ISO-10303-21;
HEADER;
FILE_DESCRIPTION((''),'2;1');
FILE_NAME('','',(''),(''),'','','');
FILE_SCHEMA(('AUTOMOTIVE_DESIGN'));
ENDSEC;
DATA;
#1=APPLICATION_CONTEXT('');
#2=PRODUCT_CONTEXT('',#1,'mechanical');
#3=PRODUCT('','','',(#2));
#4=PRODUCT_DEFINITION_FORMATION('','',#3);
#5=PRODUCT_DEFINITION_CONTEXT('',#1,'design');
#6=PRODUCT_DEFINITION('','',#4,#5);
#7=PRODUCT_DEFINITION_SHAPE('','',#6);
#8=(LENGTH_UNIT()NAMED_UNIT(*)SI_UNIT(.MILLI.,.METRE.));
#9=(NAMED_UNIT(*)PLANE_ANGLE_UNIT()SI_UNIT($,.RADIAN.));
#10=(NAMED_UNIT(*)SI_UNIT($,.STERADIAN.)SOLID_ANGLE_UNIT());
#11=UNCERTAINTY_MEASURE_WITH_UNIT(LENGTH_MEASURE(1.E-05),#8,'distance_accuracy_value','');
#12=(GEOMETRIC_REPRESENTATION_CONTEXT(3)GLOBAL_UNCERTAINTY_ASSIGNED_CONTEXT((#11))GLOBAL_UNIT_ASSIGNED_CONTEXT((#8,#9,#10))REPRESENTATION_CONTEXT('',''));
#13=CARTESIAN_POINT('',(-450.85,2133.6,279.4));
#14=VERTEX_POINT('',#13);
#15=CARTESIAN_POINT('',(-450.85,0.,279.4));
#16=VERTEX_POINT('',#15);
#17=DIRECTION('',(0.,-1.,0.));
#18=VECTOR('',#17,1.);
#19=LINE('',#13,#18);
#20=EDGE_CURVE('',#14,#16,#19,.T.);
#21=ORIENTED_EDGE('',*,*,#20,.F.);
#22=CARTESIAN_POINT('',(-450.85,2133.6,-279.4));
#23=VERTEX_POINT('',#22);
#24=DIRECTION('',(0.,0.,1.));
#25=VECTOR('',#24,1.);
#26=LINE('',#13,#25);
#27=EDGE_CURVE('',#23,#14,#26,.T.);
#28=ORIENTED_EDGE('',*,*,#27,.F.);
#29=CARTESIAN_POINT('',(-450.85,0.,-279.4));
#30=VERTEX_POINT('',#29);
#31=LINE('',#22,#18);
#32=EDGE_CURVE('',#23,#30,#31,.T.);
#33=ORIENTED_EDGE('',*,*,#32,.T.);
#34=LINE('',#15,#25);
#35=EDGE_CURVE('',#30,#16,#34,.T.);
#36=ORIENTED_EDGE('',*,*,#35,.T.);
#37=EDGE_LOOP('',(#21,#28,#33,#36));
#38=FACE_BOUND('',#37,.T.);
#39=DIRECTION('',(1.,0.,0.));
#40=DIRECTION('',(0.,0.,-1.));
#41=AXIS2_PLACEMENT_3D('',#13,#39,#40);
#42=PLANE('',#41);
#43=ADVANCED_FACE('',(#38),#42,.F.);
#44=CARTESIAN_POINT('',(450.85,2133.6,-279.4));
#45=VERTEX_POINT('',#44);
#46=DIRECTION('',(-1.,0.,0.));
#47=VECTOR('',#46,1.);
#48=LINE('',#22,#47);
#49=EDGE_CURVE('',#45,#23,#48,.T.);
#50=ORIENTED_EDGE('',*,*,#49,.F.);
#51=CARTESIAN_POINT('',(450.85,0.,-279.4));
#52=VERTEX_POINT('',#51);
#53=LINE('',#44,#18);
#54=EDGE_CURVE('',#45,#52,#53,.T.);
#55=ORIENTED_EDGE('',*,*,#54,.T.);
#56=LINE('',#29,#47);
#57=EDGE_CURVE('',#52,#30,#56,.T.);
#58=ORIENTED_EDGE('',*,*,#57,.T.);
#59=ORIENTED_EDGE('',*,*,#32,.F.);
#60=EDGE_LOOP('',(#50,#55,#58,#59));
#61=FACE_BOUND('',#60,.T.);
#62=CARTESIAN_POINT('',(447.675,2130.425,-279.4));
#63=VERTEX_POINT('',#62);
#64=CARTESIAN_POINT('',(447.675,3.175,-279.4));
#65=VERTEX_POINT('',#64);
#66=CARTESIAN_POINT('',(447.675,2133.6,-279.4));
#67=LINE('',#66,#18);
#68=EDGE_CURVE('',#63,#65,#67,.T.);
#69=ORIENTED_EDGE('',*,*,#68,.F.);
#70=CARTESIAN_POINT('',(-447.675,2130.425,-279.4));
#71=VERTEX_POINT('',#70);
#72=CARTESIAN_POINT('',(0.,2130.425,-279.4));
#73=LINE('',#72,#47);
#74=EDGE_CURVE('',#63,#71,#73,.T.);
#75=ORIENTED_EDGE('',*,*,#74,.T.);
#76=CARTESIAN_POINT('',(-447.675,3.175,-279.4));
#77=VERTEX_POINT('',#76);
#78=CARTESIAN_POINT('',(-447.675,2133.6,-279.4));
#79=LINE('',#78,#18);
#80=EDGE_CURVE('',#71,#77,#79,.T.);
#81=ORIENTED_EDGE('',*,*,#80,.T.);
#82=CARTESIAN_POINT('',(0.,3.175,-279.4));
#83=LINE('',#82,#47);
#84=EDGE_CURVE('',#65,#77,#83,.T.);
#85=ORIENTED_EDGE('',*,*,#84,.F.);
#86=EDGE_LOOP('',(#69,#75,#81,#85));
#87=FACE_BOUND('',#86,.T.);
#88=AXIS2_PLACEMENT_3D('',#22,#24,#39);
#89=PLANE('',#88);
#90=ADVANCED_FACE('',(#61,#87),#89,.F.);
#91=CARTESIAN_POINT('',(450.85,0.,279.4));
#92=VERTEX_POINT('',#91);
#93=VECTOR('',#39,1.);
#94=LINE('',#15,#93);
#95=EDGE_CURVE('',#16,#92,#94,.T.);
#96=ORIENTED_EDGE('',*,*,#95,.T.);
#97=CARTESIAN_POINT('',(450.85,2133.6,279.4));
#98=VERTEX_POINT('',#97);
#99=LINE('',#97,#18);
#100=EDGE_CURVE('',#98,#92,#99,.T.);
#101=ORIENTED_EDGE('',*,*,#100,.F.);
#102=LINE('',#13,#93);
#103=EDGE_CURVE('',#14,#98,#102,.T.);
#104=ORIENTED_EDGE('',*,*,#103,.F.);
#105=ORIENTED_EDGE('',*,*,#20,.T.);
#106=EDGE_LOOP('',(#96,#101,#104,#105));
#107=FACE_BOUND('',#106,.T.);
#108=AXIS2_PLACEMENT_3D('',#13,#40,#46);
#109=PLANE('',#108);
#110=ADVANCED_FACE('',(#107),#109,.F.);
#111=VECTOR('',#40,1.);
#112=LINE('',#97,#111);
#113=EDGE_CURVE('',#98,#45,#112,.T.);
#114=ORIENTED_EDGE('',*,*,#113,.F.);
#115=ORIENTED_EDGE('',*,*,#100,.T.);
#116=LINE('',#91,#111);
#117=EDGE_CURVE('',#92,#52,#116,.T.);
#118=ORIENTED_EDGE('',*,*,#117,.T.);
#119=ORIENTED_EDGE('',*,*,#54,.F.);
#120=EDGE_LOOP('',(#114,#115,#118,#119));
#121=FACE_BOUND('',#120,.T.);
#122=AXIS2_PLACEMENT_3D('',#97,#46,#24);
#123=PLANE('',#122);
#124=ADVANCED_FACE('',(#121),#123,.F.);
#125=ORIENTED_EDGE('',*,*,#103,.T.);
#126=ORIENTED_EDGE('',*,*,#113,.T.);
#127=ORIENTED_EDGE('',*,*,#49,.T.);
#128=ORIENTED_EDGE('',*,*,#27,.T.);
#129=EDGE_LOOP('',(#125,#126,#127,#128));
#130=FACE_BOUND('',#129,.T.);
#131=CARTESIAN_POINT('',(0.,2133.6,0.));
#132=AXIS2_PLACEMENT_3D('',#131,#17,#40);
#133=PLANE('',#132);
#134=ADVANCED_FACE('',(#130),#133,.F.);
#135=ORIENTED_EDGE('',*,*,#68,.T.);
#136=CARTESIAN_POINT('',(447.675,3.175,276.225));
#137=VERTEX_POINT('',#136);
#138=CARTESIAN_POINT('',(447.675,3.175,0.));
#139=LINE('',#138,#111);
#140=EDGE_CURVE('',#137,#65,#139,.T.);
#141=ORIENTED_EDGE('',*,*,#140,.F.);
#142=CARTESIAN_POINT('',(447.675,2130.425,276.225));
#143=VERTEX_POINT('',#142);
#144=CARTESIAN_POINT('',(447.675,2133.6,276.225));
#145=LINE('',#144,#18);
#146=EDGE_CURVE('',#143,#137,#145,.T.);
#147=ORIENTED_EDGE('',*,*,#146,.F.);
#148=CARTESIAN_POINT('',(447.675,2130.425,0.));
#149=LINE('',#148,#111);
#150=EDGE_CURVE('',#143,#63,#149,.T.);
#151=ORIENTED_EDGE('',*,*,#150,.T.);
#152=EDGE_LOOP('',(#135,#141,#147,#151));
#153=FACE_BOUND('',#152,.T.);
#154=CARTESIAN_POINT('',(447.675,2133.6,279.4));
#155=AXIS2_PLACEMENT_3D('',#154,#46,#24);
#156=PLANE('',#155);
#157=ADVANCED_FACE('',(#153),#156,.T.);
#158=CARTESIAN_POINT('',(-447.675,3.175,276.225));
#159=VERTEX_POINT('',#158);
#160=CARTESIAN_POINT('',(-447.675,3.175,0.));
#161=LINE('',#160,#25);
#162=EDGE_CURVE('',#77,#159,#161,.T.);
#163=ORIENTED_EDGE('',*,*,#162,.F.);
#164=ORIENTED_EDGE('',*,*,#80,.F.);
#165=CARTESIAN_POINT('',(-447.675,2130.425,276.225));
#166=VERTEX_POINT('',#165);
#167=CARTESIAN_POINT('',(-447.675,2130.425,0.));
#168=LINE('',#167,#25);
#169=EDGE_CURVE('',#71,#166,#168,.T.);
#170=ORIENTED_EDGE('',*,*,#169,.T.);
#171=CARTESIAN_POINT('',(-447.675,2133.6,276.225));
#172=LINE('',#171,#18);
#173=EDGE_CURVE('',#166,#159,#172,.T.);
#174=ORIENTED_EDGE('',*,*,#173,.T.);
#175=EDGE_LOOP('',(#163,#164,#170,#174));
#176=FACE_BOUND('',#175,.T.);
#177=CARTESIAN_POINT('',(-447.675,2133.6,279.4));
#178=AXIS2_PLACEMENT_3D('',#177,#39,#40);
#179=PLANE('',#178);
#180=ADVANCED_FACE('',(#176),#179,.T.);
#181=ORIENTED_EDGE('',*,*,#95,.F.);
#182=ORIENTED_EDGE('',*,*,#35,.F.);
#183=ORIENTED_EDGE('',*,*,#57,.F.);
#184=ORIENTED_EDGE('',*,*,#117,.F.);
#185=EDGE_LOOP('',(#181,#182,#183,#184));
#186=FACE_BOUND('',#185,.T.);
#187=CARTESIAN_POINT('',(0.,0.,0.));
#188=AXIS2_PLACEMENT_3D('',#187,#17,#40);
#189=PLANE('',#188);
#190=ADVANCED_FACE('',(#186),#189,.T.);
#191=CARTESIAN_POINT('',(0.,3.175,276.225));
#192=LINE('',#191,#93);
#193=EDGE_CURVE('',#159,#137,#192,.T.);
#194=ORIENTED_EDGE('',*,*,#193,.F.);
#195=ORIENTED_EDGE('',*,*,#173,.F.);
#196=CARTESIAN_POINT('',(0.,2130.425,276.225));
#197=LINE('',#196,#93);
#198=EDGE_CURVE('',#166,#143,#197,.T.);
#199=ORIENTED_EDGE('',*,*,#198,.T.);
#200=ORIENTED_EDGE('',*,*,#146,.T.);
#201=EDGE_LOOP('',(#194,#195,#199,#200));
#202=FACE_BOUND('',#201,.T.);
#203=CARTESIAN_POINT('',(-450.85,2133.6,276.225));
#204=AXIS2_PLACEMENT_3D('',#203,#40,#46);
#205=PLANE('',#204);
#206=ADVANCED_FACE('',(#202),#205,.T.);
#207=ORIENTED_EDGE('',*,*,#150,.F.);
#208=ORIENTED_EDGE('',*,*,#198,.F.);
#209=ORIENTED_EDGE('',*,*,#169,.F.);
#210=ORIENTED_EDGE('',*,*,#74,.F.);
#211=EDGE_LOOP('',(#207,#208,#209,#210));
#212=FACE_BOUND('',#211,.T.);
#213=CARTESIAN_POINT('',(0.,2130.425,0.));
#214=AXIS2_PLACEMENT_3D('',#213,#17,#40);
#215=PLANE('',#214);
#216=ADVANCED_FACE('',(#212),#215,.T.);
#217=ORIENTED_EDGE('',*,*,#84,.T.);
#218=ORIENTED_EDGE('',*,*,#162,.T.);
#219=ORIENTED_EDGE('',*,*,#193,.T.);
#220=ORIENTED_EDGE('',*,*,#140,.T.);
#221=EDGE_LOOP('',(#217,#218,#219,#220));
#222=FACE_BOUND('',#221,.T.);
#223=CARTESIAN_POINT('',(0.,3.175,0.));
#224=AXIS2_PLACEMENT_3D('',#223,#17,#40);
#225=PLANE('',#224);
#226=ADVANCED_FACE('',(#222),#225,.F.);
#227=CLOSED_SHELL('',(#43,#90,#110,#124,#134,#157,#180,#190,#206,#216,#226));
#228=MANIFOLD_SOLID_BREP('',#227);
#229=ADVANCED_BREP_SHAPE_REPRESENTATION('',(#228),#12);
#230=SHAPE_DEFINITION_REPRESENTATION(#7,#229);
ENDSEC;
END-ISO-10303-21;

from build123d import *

# Parameters (mm, degrees)
SKETCH1_W           = 901.7
SKETCH1_H           = 558.8
BOSS_EXTRUDE1_DEPTH = 2133.6
SHELL1_T            = -3.175


with BuildPart() as part:
    # Sketch1 → Boss-Extrude1 (new body)
    with BuildSketch(Plane(origin=(0, 0, 0), x_dir=(1, 0, 0), z_dir=(0, 1, 0))):
        Rectangle(SKETCH1_W, SKETCH1_H)
    extrude(amount=BOSS_EXTRUDE1_DEPTH)

    # Shell1
    shell1_openings = [part.faces().sort_by_distance(p)[0] for p in [
        (0, 1066.8, -279.4),
    ]]
    offset(amount=SHELL1_T, openings=shell1_openings, kind=Kind.INTERSECTION)


solid = part.part
